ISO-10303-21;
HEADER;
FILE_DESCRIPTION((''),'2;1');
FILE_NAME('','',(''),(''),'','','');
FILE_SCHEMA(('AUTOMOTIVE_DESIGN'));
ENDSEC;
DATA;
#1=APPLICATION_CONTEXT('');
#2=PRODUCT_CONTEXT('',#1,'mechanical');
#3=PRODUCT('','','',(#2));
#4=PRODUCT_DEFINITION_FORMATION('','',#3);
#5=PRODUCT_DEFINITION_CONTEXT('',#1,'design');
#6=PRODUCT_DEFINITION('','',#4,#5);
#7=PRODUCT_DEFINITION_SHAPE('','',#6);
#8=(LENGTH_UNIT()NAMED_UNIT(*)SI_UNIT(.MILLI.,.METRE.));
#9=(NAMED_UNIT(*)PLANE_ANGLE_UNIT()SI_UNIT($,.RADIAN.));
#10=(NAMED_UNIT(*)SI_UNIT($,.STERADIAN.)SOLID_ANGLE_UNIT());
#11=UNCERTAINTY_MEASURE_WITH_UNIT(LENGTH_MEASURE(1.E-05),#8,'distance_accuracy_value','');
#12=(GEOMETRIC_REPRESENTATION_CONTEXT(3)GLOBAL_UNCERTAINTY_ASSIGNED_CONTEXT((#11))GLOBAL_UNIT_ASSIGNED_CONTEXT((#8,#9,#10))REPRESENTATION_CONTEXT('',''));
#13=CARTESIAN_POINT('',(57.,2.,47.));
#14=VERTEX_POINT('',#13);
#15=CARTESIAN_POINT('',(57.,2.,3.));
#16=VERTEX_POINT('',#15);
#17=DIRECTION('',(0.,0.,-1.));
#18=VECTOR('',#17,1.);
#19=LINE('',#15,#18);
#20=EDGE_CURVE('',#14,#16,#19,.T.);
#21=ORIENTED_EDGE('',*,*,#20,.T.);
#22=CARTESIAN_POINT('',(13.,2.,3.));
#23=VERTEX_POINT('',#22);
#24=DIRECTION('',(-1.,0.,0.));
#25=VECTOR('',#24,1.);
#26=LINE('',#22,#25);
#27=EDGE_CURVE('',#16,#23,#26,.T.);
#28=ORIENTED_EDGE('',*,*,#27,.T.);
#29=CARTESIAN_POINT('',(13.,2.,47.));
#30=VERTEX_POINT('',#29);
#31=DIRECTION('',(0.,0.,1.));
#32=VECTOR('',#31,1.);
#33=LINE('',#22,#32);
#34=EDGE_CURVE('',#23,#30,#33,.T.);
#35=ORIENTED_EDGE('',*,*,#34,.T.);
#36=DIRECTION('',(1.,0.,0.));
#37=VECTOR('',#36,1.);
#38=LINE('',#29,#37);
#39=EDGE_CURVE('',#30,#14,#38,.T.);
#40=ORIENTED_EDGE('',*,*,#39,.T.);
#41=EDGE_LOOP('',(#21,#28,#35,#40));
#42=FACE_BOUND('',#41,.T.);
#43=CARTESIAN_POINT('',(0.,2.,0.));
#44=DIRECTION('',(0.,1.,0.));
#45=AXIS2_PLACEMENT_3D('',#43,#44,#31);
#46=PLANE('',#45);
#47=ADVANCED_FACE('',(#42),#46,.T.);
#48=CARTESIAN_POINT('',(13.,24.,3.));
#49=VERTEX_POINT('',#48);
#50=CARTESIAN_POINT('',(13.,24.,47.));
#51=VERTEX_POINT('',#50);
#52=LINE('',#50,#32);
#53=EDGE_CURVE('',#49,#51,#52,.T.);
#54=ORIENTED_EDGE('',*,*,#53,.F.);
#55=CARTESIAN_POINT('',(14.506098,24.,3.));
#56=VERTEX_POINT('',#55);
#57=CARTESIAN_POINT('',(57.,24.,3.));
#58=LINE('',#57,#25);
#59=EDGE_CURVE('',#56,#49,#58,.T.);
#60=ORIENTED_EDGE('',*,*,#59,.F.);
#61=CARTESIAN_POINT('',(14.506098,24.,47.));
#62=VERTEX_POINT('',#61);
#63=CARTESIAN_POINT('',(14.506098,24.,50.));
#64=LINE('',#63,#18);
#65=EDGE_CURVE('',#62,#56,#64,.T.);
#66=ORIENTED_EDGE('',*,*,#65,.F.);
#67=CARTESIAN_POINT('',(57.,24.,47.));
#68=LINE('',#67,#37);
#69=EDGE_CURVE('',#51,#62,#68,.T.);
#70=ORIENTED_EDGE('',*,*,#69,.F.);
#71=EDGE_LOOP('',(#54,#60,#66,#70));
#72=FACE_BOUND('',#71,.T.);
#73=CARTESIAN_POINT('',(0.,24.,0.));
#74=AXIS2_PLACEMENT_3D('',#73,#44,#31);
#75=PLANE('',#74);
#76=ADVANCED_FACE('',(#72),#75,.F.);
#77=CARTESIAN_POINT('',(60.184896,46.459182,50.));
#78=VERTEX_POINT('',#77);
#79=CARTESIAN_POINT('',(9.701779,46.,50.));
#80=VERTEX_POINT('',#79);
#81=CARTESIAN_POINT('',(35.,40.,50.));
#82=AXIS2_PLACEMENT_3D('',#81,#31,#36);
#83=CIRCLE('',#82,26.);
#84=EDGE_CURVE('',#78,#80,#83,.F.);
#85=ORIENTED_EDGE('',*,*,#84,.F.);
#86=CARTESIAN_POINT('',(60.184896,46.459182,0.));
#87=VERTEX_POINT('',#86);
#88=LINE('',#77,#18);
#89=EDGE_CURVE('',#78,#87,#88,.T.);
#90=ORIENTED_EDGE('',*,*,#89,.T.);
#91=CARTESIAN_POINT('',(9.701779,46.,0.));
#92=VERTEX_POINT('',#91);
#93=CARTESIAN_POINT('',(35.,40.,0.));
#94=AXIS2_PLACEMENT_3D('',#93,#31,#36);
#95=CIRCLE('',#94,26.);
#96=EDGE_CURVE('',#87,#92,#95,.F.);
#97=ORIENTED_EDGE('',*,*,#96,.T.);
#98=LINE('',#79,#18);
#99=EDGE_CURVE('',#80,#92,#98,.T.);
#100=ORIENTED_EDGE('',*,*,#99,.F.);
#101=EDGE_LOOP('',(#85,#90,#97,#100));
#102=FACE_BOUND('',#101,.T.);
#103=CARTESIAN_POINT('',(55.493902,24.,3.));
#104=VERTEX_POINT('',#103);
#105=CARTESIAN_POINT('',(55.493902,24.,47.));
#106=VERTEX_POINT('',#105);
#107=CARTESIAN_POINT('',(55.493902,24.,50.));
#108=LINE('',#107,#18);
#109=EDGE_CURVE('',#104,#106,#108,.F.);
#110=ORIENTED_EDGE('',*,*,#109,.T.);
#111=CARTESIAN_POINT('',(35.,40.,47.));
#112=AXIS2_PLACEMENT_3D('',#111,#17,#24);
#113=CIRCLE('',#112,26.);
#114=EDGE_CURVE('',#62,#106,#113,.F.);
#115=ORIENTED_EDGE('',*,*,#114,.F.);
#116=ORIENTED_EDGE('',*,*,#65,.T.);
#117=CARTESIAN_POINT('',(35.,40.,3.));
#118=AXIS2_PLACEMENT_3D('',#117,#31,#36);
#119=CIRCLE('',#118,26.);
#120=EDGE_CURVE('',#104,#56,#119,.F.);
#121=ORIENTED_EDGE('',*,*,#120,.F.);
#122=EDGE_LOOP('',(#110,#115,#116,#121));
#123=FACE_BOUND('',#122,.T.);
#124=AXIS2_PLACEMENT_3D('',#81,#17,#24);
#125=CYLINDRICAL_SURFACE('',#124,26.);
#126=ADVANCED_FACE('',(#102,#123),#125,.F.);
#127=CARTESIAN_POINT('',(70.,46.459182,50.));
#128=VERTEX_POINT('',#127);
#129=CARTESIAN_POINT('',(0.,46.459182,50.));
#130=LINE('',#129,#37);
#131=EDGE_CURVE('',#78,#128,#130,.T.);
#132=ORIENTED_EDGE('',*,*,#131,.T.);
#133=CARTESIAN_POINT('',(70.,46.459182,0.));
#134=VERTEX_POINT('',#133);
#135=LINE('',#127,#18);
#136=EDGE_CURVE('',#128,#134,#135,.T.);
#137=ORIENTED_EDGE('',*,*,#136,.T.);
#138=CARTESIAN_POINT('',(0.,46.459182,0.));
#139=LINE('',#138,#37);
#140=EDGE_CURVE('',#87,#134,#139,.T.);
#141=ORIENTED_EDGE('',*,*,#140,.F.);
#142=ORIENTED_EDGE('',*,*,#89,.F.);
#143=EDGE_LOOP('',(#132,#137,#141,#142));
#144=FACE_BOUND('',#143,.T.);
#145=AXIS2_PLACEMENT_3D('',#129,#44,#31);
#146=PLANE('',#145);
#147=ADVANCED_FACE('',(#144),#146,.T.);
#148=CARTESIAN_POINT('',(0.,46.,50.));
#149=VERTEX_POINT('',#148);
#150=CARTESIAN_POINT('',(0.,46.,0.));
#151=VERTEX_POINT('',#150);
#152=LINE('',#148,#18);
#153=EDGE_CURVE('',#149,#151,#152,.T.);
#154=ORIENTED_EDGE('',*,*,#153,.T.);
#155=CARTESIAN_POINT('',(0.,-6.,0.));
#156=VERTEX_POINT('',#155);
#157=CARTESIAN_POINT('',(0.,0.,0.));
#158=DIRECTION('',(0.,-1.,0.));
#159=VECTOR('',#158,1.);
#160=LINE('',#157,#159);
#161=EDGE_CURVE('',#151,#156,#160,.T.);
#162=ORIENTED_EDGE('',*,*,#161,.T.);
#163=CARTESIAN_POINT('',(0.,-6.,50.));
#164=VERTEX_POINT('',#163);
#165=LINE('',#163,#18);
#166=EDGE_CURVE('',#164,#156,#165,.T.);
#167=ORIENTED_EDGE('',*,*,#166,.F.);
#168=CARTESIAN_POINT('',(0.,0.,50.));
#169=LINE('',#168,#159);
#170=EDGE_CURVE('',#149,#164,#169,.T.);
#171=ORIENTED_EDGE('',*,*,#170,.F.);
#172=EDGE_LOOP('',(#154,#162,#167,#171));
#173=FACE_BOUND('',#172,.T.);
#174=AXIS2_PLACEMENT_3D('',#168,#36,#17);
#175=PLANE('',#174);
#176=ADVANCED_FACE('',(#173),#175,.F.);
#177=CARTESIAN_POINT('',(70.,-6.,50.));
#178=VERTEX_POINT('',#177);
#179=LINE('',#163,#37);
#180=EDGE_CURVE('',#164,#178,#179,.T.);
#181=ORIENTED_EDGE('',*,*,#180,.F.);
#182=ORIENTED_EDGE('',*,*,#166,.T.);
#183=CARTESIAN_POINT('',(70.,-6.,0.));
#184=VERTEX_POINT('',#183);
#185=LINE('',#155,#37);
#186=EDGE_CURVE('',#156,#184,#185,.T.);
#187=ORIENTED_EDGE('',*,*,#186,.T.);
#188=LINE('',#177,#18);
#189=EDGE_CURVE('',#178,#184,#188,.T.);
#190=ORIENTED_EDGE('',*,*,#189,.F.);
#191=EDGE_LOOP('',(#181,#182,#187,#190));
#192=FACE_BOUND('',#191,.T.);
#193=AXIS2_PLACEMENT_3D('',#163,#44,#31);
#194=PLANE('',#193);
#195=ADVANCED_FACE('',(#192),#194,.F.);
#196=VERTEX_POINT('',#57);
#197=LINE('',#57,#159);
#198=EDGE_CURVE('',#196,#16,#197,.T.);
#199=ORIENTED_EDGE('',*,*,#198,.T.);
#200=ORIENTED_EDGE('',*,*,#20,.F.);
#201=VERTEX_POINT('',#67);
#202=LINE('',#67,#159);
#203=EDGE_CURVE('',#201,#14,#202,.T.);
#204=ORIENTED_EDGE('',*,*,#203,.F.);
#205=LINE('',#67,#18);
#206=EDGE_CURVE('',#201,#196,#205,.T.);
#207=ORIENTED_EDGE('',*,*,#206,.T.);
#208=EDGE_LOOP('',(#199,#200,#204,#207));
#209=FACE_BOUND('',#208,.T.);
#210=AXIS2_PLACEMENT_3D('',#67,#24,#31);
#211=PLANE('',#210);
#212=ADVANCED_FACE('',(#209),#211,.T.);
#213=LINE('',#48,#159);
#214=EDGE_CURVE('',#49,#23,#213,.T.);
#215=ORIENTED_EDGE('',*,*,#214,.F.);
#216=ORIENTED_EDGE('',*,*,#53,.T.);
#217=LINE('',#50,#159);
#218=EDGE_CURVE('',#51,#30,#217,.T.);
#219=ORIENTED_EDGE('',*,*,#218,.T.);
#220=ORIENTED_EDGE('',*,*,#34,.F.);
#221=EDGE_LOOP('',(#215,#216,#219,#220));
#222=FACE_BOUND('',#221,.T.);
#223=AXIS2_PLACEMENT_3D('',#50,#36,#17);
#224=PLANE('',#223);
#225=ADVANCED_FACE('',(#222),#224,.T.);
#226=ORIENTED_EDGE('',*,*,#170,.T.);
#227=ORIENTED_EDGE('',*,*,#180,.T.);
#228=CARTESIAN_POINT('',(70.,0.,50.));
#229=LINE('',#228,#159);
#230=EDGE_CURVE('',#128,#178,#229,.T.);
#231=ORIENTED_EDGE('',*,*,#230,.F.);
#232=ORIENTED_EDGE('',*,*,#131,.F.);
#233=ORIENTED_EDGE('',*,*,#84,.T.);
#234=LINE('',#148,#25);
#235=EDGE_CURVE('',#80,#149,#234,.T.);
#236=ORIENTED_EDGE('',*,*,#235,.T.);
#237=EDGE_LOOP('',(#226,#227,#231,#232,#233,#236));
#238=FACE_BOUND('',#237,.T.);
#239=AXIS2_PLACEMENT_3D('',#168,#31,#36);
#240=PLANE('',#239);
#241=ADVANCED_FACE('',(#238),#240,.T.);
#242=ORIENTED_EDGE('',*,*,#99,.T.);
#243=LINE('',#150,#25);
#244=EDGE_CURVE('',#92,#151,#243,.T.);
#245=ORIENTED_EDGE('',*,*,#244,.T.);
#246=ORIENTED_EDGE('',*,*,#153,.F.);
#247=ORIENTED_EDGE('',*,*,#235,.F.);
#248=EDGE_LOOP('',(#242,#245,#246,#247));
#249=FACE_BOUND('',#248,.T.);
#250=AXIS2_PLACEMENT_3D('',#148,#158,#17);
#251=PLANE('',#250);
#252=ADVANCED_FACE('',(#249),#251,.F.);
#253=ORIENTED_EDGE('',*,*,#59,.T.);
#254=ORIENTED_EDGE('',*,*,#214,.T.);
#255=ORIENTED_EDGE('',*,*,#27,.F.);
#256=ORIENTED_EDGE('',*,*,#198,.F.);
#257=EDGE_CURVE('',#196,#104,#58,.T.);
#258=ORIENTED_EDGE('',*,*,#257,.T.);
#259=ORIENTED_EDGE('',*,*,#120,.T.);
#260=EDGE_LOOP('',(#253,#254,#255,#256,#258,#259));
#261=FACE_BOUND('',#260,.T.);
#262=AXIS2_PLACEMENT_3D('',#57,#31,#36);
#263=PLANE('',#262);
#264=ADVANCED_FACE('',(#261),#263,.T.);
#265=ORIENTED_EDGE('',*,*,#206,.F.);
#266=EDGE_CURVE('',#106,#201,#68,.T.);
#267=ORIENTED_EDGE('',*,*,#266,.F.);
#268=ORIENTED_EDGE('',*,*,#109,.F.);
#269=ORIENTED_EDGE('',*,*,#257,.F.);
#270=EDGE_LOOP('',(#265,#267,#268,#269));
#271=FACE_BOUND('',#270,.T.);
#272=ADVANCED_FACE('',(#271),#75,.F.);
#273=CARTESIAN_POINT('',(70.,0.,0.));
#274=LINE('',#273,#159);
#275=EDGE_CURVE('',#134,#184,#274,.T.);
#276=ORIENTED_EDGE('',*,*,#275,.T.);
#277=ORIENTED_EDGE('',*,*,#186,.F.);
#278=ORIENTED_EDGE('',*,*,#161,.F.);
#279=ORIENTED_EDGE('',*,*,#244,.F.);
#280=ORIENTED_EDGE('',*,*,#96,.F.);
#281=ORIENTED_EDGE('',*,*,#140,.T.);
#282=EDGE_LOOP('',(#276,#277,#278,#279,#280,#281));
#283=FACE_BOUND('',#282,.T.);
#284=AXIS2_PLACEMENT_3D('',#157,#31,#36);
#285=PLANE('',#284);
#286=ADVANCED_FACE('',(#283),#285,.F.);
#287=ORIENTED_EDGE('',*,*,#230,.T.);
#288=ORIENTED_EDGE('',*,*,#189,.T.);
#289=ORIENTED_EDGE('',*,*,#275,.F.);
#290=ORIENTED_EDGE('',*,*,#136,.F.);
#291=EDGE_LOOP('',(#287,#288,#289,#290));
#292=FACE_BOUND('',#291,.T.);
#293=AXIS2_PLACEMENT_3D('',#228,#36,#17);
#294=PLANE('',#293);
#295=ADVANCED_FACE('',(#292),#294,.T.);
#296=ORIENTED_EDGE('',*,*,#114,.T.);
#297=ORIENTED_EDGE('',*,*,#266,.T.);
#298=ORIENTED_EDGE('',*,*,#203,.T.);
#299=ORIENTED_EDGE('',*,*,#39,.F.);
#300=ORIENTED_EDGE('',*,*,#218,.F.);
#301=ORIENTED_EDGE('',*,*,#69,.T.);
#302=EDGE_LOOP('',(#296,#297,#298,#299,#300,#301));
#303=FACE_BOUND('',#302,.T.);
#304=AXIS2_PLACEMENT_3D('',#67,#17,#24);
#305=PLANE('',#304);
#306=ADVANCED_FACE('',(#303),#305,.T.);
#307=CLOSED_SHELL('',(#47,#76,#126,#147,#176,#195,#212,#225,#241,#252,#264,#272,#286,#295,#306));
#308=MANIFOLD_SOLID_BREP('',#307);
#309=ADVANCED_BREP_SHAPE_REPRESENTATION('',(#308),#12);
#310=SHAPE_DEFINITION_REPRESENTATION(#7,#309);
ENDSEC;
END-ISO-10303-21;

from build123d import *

# Parameters (mm, degrees)
SKETCH1_W           = 70
SKETCH1_H           = 10
BOSS_EXTRUDE2_DEPTH = 50
SKETCH2_W           = 44
SKETCH2_H           = 44
CUT_EXTRUDE6_DEPTH  = 10
SKETCH3_W           = 44
SKETCH3_H           = 44
CUT_EXTRUDE8_DEPTH  = 12
SKETCH6_W           = 70
SKETCH6_H           = 6
BOSS_EXTRUDE3_DEPTH = 50


with BuildPart() as part:
    # Sketch1 → Boss-Extrude2 (new body)
    with BuildSketch(Plane.XY):
        with BuildLine():
            Line((60.184895573, 46.459182221), (70, 46.459182221))
            Line((70, 46.459182221), (70, 10))
            Line((70, 10), (0, 10))
            Line((0, 10), (0, 46))
            Line((0, 46), (9.701778719, 46))
            ThreePointArc((9.701778719, 46), (35.236479929, 14.00107546), (60.184895573, 46.459182221))
        make_face()
        with Locations((35, 5)):
            Rectangle(SKETCH1_W, SKETCH1_H)
    extrude(amount=BOSS_EXTRUDE2_DEPTH)

    # Sketch2 → Cut-Extrude6 (cut)
    with BuildSketch(Plane(origin=(0, 14, 0), x_dir=(1, 0, 0), z_dir=(0, 1, 0))):
        with Locations((35, -25)):
            Rectangle(SKETCH2_W, SKETCH2_H)
    extrude(amount=CUT_EXTRUDE6_DEPTH, mode=Mode.SUBTRACT)

    # Sketch3 → Cut-Extrude8 (cut)
    with BuildSketch(Plane(origin=(0, 14, 0), x_dir=(1, 0, 0), z_dir=(0, 1, 0))):
        with Locations((35, -25)):
            Rectangle(SKETCH3_W, SKETCH3_H)
    extrude(amount=-CUT_EXTRUDE8_DEPTH, mode=Mode.SUBTRACT)

    # Sketch6 → Boss-Extrude3 (add)
    with BuildSketch(Plane.XY):
        with Locations((35, -3)):
            Rectangle(SKETCH6_W, SKETCH6_H)
    extrude(amount=BOSS_EXTRUDE3_DEPTH)


solid = part.part
